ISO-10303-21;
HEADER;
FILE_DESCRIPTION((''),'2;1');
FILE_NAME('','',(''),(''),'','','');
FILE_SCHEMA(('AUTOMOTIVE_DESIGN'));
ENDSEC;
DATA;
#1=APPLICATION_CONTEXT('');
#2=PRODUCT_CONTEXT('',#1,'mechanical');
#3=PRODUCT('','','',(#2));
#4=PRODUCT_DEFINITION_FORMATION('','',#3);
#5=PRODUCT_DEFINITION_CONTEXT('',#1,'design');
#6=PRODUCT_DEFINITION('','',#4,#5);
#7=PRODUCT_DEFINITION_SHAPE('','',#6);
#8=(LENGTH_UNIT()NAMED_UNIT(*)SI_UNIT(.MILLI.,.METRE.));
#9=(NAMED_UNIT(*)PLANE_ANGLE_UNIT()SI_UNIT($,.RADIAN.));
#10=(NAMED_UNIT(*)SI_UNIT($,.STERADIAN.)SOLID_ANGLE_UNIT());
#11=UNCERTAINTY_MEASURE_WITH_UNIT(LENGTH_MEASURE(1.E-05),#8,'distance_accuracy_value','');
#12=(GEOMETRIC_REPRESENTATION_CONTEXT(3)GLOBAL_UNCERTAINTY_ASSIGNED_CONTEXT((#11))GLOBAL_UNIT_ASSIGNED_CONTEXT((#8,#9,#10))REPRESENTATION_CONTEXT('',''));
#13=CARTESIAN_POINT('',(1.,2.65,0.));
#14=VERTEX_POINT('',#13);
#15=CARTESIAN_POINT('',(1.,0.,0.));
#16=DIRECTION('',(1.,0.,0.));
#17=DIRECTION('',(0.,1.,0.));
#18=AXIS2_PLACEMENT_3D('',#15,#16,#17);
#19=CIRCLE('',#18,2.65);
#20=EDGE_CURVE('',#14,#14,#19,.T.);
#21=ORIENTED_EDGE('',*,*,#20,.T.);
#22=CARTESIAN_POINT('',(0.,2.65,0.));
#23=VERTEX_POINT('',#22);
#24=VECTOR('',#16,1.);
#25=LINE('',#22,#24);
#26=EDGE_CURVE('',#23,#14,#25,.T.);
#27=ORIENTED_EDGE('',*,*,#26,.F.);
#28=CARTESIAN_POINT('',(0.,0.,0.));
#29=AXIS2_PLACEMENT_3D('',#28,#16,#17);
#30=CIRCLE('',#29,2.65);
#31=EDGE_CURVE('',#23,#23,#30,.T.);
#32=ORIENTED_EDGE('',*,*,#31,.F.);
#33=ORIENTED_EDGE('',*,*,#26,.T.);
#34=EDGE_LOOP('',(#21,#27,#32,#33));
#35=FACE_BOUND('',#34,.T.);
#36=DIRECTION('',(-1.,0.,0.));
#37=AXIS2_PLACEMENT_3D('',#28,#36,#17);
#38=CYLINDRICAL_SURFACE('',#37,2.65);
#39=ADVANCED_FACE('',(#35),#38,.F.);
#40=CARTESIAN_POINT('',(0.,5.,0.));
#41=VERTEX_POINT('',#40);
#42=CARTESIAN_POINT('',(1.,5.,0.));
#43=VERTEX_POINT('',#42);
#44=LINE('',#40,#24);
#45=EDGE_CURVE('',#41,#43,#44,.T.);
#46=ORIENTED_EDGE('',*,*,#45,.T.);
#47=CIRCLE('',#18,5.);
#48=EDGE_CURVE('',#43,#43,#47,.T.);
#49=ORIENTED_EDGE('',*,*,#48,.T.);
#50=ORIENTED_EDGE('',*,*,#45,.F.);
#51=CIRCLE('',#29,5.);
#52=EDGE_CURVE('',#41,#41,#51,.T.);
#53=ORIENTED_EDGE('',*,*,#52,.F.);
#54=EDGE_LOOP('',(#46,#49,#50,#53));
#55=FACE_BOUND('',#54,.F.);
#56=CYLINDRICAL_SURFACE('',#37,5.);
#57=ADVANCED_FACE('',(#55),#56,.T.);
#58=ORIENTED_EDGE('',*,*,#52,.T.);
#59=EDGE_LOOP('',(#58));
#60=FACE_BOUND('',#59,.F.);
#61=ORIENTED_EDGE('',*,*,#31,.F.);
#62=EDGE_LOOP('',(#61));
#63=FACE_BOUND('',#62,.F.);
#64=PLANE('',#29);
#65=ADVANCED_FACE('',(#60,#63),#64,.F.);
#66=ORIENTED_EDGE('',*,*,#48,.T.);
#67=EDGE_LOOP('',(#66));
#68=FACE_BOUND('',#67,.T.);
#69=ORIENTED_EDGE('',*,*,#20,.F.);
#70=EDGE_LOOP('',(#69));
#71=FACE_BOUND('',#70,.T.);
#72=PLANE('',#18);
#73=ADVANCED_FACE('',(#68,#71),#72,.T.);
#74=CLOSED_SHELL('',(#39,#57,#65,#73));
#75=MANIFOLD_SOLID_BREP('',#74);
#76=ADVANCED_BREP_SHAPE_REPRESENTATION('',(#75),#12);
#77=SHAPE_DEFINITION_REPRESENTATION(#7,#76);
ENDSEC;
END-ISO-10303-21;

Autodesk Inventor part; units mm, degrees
ref_plane "YZ Plane" through (0, 0, 0) normal (1, 0, 0) x (0, 1, 0)
ref_plane "XZ Plane" through (0, 0, 0) normal (0, 1, 0) x (-1, 0, 0)
sketch "Sketch" plane through (0, 0, 0) normal (1, 0, 0) x (0, 1, 0)
  circle A0 centre (0, 0) radius 5
  circle A1 centre (0, 0) radius 2.65
  dimension "d0" = 5.3
  dimension "d1" = 10
extrude "Body" add sketch "Sketch" along normal blind 1
ref_plane "Work Plane1" through (0, 0, 0) normal (0, 0, 1) x (1, 0, 0)
equation "\"d0\" = SD1"
equation "\"d1\" = SD2"
equation "\"d2\" = SD"
equation "\"SD1\" = 5.3"
equation "\"SD2\" = 10"
equation "\"SD\" = 1"
equation "\"NND\" = 5"
properties part number "ISO 7089 - 5 - 140 HV" material "Steel"
